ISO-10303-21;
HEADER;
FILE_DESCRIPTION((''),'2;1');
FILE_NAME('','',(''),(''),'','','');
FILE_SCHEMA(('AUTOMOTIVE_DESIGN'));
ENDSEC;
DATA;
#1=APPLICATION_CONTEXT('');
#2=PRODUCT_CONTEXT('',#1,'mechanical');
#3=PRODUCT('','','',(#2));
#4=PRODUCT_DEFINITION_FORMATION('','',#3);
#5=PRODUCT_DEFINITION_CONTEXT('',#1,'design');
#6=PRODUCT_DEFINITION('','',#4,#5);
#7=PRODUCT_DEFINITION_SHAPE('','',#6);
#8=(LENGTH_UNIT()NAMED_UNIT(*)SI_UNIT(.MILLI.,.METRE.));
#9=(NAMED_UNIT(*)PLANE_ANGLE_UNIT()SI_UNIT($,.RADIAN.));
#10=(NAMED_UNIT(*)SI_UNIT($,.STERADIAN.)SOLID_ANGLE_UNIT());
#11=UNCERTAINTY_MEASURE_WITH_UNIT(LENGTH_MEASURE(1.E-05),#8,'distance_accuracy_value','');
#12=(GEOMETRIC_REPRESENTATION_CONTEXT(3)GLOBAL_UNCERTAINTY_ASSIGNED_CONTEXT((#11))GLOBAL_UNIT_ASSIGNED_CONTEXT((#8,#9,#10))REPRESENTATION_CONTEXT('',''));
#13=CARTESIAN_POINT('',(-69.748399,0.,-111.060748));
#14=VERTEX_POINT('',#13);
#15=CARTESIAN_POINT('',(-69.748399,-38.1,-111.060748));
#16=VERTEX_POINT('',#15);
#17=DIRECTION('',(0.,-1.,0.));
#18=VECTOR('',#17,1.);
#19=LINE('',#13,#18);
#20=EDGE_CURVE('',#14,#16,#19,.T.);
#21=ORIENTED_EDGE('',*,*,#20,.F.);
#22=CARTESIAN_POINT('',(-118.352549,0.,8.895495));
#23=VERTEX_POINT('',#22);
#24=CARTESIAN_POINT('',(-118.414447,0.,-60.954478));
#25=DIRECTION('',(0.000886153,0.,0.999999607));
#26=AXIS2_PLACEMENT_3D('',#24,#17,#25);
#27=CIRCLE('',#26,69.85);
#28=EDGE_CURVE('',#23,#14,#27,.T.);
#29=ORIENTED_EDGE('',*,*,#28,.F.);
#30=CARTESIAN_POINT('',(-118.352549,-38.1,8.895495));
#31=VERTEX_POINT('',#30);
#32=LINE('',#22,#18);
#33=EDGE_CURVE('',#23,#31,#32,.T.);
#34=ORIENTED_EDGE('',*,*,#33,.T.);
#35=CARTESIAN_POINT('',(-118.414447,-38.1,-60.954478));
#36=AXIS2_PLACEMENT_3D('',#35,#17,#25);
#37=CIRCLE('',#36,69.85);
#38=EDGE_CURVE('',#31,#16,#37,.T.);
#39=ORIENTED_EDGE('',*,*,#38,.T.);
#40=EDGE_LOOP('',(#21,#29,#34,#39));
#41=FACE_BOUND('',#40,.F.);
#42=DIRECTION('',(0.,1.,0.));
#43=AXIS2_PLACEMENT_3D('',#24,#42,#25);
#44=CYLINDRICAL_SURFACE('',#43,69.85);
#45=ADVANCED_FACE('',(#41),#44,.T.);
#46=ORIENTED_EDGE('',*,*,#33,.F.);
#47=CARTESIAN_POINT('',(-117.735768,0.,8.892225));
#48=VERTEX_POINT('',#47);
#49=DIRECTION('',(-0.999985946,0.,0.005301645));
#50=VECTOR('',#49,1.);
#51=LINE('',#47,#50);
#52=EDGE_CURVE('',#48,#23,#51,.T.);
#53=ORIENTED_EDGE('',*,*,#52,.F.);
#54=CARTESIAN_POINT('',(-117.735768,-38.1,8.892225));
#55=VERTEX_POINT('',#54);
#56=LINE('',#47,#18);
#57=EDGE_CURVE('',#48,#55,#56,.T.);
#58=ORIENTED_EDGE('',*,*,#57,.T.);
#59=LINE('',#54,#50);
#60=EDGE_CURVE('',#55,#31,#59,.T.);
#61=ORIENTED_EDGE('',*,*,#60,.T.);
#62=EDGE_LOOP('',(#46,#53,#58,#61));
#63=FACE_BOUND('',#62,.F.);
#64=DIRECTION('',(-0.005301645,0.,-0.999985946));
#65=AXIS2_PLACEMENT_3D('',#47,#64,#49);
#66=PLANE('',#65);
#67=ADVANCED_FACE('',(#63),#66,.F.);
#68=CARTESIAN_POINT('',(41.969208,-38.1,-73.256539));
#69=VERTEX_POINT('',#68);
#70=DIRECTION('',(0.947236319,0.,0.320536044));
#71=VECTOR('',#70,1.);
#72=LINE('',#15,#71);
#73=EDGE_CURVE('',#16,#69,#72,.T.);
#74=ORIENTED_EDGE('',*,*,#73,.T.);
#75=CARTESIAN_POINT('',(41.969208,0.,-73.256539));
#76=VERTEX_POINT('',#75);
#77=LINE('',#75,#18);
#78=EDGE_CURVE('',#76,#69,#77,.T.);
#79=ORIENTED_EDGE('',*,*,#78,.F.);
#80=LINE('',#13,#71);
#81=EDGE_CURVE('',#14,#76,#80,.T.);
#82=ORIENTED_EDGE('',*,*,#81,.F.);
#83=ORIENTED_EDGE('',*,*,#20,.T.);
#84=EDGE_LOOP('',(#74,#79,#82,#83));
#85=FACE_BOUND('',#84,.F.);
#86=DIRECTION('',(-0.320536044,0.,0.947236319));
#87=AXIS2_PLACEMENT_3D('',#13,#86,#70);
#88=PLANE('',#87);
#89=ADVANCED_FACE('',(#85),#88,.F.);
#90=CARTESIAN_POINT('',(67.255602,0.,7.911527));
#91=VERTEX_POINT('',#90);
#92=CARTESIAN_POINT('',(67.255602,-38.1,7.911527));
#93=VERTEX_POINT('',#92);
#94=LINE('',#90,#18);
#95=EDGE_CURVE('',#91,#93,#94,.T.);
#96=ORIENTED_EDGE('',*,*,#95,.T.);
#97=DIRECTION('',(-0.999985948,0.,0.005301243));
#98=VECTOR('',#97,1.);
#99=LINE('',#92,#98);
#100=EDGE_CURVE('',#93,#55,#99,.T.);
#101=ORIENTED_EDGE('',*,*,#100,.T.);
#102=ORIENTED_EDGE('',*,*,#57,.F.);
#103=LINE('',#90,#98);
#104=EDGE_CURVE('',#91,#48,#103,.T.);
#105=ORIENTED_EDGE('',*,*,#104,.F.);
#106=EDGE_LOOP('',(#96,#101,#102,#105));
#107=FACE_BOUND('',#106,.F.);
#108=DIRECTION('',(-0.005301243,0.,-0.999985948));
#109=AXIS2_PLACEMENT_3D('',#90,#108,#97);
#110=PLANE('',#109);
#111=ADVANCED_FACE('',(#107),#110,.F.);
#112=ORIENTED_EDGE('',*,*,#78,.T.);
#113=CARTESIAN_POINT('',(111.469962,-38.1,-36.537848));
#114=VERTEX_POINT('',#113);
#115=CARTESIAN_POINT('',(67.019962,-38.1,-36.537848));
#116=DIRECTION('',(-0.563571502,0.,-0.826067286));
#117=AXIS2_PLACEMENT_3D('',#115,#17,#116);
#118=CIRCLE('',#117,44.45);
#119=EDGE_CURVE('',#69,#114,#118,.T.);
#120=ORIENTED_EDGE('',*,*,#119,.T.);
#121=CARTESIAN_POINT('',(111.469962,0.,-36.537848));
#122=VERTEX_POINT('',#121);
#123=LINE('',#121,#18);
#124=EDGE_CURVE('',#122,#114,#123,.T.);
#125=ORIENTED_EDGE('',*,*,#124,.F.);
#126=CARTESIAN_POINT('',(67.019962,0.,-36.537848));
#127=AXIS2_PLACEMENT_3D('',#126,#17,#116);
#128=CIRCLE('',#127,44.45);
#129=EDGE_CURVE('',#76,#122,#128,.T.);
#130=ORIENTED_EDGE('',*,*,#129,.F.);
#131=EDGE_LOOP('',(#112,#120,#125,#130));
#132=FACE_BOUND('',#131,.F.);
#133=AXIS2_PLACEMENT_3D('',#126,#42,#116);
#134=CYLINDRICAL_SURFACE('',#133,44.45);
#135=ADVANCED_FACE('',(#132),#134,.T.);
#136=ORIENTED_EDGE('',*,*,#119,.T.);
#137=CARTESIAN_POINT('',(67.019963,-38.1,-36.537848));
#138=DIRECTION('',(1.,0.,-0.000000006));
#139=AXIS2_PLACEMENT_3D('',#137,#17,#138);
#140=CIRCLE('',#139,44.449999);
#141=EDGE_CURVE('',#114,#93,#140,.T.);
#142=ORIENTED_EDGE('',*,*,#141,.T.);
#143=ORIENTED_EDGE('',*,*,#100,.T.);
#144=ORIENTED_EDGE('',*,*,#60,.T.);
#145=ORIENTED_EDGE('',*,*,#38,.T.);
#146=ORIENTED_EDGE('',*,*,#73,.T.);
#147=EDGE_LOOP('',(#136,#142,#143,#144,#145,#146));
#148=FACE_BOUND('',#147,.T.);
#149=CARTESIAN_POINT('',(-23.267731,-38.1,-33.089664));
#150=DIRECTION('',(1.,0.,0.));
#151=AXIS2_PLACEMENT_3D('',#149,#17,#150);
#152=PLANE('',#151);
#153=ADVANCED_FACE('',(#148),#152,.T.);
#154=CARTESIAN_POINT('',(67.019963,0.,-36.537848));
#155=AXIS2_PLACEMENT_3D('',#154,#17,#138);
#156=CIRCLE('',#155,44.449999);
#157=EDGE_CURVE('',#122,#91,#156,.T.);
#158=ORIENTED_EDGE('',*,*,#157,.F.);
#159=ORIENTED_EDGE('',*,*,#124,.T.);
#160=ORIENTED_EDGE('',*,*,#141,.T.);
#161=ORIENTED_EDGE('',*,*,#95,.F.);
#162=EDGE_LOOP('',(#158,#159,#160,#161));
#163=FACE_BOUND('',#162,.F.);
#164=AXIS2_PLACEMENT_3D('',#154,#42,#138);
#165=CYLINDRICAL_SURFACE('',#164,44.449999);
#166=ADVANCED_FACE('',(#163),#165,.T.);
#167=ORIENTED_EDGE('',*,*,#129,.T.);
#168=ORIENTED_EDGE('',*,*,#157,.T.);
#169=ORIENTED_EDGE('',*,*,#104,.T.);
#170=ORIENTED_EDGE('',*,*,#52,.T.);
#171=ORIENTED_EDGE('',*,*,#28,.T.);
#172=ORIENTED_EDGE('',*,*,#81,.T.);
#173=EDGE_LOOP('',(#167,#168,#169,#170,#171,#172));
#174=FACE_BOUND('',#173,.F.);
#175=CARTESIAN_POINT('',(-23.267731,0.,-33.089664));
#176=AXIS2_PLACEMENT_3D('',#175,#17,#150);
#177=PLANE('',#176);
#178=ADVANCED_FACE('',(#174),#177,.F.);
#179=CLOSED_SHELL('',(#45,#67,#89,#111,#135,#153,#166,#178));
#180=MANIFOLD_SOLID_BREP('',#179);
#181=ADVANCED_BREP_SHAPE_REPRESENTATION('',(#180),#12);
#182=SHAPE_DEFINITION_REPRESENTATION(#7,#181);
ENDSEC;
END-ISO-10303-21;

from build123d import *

# Parameters (mm, degrees)
F1_DEPTH = 38.1


with BuildPart() as f1:
    # F0 (on Front) → F1 (new body)
    with BuildSketch(Plane.XZ):
        with BuildLine():
            ThreePointArc((-48.564447, -60.954478), (-54.078042, -88.154653), (-69.748399, -111.060748))
            Line((-69.748399, -111.060748), (41.969208, -73.256539))
            ThreePointArc((41.969208, -73.256539), (24.58164, -23.316982), (67.255602, 7.911527))
            Line((67.255602, 7.911527), (-117.735768, 8.892225))
            ThreePointArc((-117.735768, 8.892225), (-68.783669, -11.803604), (-48.564447, -60.954478))
        make_face()
        with BuildLine():
            Line((-117.735768, 8.892225), (-118.352549, 8.895495))
            ThreePointArc((-118.352549, 8.895495), (-183.152212, -87.185076), (-69.748399, -111.060748))
            ThreePointArc((-69.748399, -111.060748), (-54.078042, -88.154653), (-48.564447, -60.954478))
            ThreePointArc((-48.564447, -60.954478), (-68.783669, -11.803604), (-117.735768, 8.892225))
        make_face()
        with BuildLine():
            ThreePointArc((67.255602, 7.911527), (24.58164, -23.316982), (41.969208, -73.256539))
            ThreePointArc((41.969208, -73.256539), (87.784071, -75.839938), (111.469962, -36.537848))
            ThreePointArc((111.469962, -36.537848), (98.53406, -5.190374), (67.255602, 7.911527))
        make_face()
    extrude(amount=F1_DEPTH)


solid = f1.part
